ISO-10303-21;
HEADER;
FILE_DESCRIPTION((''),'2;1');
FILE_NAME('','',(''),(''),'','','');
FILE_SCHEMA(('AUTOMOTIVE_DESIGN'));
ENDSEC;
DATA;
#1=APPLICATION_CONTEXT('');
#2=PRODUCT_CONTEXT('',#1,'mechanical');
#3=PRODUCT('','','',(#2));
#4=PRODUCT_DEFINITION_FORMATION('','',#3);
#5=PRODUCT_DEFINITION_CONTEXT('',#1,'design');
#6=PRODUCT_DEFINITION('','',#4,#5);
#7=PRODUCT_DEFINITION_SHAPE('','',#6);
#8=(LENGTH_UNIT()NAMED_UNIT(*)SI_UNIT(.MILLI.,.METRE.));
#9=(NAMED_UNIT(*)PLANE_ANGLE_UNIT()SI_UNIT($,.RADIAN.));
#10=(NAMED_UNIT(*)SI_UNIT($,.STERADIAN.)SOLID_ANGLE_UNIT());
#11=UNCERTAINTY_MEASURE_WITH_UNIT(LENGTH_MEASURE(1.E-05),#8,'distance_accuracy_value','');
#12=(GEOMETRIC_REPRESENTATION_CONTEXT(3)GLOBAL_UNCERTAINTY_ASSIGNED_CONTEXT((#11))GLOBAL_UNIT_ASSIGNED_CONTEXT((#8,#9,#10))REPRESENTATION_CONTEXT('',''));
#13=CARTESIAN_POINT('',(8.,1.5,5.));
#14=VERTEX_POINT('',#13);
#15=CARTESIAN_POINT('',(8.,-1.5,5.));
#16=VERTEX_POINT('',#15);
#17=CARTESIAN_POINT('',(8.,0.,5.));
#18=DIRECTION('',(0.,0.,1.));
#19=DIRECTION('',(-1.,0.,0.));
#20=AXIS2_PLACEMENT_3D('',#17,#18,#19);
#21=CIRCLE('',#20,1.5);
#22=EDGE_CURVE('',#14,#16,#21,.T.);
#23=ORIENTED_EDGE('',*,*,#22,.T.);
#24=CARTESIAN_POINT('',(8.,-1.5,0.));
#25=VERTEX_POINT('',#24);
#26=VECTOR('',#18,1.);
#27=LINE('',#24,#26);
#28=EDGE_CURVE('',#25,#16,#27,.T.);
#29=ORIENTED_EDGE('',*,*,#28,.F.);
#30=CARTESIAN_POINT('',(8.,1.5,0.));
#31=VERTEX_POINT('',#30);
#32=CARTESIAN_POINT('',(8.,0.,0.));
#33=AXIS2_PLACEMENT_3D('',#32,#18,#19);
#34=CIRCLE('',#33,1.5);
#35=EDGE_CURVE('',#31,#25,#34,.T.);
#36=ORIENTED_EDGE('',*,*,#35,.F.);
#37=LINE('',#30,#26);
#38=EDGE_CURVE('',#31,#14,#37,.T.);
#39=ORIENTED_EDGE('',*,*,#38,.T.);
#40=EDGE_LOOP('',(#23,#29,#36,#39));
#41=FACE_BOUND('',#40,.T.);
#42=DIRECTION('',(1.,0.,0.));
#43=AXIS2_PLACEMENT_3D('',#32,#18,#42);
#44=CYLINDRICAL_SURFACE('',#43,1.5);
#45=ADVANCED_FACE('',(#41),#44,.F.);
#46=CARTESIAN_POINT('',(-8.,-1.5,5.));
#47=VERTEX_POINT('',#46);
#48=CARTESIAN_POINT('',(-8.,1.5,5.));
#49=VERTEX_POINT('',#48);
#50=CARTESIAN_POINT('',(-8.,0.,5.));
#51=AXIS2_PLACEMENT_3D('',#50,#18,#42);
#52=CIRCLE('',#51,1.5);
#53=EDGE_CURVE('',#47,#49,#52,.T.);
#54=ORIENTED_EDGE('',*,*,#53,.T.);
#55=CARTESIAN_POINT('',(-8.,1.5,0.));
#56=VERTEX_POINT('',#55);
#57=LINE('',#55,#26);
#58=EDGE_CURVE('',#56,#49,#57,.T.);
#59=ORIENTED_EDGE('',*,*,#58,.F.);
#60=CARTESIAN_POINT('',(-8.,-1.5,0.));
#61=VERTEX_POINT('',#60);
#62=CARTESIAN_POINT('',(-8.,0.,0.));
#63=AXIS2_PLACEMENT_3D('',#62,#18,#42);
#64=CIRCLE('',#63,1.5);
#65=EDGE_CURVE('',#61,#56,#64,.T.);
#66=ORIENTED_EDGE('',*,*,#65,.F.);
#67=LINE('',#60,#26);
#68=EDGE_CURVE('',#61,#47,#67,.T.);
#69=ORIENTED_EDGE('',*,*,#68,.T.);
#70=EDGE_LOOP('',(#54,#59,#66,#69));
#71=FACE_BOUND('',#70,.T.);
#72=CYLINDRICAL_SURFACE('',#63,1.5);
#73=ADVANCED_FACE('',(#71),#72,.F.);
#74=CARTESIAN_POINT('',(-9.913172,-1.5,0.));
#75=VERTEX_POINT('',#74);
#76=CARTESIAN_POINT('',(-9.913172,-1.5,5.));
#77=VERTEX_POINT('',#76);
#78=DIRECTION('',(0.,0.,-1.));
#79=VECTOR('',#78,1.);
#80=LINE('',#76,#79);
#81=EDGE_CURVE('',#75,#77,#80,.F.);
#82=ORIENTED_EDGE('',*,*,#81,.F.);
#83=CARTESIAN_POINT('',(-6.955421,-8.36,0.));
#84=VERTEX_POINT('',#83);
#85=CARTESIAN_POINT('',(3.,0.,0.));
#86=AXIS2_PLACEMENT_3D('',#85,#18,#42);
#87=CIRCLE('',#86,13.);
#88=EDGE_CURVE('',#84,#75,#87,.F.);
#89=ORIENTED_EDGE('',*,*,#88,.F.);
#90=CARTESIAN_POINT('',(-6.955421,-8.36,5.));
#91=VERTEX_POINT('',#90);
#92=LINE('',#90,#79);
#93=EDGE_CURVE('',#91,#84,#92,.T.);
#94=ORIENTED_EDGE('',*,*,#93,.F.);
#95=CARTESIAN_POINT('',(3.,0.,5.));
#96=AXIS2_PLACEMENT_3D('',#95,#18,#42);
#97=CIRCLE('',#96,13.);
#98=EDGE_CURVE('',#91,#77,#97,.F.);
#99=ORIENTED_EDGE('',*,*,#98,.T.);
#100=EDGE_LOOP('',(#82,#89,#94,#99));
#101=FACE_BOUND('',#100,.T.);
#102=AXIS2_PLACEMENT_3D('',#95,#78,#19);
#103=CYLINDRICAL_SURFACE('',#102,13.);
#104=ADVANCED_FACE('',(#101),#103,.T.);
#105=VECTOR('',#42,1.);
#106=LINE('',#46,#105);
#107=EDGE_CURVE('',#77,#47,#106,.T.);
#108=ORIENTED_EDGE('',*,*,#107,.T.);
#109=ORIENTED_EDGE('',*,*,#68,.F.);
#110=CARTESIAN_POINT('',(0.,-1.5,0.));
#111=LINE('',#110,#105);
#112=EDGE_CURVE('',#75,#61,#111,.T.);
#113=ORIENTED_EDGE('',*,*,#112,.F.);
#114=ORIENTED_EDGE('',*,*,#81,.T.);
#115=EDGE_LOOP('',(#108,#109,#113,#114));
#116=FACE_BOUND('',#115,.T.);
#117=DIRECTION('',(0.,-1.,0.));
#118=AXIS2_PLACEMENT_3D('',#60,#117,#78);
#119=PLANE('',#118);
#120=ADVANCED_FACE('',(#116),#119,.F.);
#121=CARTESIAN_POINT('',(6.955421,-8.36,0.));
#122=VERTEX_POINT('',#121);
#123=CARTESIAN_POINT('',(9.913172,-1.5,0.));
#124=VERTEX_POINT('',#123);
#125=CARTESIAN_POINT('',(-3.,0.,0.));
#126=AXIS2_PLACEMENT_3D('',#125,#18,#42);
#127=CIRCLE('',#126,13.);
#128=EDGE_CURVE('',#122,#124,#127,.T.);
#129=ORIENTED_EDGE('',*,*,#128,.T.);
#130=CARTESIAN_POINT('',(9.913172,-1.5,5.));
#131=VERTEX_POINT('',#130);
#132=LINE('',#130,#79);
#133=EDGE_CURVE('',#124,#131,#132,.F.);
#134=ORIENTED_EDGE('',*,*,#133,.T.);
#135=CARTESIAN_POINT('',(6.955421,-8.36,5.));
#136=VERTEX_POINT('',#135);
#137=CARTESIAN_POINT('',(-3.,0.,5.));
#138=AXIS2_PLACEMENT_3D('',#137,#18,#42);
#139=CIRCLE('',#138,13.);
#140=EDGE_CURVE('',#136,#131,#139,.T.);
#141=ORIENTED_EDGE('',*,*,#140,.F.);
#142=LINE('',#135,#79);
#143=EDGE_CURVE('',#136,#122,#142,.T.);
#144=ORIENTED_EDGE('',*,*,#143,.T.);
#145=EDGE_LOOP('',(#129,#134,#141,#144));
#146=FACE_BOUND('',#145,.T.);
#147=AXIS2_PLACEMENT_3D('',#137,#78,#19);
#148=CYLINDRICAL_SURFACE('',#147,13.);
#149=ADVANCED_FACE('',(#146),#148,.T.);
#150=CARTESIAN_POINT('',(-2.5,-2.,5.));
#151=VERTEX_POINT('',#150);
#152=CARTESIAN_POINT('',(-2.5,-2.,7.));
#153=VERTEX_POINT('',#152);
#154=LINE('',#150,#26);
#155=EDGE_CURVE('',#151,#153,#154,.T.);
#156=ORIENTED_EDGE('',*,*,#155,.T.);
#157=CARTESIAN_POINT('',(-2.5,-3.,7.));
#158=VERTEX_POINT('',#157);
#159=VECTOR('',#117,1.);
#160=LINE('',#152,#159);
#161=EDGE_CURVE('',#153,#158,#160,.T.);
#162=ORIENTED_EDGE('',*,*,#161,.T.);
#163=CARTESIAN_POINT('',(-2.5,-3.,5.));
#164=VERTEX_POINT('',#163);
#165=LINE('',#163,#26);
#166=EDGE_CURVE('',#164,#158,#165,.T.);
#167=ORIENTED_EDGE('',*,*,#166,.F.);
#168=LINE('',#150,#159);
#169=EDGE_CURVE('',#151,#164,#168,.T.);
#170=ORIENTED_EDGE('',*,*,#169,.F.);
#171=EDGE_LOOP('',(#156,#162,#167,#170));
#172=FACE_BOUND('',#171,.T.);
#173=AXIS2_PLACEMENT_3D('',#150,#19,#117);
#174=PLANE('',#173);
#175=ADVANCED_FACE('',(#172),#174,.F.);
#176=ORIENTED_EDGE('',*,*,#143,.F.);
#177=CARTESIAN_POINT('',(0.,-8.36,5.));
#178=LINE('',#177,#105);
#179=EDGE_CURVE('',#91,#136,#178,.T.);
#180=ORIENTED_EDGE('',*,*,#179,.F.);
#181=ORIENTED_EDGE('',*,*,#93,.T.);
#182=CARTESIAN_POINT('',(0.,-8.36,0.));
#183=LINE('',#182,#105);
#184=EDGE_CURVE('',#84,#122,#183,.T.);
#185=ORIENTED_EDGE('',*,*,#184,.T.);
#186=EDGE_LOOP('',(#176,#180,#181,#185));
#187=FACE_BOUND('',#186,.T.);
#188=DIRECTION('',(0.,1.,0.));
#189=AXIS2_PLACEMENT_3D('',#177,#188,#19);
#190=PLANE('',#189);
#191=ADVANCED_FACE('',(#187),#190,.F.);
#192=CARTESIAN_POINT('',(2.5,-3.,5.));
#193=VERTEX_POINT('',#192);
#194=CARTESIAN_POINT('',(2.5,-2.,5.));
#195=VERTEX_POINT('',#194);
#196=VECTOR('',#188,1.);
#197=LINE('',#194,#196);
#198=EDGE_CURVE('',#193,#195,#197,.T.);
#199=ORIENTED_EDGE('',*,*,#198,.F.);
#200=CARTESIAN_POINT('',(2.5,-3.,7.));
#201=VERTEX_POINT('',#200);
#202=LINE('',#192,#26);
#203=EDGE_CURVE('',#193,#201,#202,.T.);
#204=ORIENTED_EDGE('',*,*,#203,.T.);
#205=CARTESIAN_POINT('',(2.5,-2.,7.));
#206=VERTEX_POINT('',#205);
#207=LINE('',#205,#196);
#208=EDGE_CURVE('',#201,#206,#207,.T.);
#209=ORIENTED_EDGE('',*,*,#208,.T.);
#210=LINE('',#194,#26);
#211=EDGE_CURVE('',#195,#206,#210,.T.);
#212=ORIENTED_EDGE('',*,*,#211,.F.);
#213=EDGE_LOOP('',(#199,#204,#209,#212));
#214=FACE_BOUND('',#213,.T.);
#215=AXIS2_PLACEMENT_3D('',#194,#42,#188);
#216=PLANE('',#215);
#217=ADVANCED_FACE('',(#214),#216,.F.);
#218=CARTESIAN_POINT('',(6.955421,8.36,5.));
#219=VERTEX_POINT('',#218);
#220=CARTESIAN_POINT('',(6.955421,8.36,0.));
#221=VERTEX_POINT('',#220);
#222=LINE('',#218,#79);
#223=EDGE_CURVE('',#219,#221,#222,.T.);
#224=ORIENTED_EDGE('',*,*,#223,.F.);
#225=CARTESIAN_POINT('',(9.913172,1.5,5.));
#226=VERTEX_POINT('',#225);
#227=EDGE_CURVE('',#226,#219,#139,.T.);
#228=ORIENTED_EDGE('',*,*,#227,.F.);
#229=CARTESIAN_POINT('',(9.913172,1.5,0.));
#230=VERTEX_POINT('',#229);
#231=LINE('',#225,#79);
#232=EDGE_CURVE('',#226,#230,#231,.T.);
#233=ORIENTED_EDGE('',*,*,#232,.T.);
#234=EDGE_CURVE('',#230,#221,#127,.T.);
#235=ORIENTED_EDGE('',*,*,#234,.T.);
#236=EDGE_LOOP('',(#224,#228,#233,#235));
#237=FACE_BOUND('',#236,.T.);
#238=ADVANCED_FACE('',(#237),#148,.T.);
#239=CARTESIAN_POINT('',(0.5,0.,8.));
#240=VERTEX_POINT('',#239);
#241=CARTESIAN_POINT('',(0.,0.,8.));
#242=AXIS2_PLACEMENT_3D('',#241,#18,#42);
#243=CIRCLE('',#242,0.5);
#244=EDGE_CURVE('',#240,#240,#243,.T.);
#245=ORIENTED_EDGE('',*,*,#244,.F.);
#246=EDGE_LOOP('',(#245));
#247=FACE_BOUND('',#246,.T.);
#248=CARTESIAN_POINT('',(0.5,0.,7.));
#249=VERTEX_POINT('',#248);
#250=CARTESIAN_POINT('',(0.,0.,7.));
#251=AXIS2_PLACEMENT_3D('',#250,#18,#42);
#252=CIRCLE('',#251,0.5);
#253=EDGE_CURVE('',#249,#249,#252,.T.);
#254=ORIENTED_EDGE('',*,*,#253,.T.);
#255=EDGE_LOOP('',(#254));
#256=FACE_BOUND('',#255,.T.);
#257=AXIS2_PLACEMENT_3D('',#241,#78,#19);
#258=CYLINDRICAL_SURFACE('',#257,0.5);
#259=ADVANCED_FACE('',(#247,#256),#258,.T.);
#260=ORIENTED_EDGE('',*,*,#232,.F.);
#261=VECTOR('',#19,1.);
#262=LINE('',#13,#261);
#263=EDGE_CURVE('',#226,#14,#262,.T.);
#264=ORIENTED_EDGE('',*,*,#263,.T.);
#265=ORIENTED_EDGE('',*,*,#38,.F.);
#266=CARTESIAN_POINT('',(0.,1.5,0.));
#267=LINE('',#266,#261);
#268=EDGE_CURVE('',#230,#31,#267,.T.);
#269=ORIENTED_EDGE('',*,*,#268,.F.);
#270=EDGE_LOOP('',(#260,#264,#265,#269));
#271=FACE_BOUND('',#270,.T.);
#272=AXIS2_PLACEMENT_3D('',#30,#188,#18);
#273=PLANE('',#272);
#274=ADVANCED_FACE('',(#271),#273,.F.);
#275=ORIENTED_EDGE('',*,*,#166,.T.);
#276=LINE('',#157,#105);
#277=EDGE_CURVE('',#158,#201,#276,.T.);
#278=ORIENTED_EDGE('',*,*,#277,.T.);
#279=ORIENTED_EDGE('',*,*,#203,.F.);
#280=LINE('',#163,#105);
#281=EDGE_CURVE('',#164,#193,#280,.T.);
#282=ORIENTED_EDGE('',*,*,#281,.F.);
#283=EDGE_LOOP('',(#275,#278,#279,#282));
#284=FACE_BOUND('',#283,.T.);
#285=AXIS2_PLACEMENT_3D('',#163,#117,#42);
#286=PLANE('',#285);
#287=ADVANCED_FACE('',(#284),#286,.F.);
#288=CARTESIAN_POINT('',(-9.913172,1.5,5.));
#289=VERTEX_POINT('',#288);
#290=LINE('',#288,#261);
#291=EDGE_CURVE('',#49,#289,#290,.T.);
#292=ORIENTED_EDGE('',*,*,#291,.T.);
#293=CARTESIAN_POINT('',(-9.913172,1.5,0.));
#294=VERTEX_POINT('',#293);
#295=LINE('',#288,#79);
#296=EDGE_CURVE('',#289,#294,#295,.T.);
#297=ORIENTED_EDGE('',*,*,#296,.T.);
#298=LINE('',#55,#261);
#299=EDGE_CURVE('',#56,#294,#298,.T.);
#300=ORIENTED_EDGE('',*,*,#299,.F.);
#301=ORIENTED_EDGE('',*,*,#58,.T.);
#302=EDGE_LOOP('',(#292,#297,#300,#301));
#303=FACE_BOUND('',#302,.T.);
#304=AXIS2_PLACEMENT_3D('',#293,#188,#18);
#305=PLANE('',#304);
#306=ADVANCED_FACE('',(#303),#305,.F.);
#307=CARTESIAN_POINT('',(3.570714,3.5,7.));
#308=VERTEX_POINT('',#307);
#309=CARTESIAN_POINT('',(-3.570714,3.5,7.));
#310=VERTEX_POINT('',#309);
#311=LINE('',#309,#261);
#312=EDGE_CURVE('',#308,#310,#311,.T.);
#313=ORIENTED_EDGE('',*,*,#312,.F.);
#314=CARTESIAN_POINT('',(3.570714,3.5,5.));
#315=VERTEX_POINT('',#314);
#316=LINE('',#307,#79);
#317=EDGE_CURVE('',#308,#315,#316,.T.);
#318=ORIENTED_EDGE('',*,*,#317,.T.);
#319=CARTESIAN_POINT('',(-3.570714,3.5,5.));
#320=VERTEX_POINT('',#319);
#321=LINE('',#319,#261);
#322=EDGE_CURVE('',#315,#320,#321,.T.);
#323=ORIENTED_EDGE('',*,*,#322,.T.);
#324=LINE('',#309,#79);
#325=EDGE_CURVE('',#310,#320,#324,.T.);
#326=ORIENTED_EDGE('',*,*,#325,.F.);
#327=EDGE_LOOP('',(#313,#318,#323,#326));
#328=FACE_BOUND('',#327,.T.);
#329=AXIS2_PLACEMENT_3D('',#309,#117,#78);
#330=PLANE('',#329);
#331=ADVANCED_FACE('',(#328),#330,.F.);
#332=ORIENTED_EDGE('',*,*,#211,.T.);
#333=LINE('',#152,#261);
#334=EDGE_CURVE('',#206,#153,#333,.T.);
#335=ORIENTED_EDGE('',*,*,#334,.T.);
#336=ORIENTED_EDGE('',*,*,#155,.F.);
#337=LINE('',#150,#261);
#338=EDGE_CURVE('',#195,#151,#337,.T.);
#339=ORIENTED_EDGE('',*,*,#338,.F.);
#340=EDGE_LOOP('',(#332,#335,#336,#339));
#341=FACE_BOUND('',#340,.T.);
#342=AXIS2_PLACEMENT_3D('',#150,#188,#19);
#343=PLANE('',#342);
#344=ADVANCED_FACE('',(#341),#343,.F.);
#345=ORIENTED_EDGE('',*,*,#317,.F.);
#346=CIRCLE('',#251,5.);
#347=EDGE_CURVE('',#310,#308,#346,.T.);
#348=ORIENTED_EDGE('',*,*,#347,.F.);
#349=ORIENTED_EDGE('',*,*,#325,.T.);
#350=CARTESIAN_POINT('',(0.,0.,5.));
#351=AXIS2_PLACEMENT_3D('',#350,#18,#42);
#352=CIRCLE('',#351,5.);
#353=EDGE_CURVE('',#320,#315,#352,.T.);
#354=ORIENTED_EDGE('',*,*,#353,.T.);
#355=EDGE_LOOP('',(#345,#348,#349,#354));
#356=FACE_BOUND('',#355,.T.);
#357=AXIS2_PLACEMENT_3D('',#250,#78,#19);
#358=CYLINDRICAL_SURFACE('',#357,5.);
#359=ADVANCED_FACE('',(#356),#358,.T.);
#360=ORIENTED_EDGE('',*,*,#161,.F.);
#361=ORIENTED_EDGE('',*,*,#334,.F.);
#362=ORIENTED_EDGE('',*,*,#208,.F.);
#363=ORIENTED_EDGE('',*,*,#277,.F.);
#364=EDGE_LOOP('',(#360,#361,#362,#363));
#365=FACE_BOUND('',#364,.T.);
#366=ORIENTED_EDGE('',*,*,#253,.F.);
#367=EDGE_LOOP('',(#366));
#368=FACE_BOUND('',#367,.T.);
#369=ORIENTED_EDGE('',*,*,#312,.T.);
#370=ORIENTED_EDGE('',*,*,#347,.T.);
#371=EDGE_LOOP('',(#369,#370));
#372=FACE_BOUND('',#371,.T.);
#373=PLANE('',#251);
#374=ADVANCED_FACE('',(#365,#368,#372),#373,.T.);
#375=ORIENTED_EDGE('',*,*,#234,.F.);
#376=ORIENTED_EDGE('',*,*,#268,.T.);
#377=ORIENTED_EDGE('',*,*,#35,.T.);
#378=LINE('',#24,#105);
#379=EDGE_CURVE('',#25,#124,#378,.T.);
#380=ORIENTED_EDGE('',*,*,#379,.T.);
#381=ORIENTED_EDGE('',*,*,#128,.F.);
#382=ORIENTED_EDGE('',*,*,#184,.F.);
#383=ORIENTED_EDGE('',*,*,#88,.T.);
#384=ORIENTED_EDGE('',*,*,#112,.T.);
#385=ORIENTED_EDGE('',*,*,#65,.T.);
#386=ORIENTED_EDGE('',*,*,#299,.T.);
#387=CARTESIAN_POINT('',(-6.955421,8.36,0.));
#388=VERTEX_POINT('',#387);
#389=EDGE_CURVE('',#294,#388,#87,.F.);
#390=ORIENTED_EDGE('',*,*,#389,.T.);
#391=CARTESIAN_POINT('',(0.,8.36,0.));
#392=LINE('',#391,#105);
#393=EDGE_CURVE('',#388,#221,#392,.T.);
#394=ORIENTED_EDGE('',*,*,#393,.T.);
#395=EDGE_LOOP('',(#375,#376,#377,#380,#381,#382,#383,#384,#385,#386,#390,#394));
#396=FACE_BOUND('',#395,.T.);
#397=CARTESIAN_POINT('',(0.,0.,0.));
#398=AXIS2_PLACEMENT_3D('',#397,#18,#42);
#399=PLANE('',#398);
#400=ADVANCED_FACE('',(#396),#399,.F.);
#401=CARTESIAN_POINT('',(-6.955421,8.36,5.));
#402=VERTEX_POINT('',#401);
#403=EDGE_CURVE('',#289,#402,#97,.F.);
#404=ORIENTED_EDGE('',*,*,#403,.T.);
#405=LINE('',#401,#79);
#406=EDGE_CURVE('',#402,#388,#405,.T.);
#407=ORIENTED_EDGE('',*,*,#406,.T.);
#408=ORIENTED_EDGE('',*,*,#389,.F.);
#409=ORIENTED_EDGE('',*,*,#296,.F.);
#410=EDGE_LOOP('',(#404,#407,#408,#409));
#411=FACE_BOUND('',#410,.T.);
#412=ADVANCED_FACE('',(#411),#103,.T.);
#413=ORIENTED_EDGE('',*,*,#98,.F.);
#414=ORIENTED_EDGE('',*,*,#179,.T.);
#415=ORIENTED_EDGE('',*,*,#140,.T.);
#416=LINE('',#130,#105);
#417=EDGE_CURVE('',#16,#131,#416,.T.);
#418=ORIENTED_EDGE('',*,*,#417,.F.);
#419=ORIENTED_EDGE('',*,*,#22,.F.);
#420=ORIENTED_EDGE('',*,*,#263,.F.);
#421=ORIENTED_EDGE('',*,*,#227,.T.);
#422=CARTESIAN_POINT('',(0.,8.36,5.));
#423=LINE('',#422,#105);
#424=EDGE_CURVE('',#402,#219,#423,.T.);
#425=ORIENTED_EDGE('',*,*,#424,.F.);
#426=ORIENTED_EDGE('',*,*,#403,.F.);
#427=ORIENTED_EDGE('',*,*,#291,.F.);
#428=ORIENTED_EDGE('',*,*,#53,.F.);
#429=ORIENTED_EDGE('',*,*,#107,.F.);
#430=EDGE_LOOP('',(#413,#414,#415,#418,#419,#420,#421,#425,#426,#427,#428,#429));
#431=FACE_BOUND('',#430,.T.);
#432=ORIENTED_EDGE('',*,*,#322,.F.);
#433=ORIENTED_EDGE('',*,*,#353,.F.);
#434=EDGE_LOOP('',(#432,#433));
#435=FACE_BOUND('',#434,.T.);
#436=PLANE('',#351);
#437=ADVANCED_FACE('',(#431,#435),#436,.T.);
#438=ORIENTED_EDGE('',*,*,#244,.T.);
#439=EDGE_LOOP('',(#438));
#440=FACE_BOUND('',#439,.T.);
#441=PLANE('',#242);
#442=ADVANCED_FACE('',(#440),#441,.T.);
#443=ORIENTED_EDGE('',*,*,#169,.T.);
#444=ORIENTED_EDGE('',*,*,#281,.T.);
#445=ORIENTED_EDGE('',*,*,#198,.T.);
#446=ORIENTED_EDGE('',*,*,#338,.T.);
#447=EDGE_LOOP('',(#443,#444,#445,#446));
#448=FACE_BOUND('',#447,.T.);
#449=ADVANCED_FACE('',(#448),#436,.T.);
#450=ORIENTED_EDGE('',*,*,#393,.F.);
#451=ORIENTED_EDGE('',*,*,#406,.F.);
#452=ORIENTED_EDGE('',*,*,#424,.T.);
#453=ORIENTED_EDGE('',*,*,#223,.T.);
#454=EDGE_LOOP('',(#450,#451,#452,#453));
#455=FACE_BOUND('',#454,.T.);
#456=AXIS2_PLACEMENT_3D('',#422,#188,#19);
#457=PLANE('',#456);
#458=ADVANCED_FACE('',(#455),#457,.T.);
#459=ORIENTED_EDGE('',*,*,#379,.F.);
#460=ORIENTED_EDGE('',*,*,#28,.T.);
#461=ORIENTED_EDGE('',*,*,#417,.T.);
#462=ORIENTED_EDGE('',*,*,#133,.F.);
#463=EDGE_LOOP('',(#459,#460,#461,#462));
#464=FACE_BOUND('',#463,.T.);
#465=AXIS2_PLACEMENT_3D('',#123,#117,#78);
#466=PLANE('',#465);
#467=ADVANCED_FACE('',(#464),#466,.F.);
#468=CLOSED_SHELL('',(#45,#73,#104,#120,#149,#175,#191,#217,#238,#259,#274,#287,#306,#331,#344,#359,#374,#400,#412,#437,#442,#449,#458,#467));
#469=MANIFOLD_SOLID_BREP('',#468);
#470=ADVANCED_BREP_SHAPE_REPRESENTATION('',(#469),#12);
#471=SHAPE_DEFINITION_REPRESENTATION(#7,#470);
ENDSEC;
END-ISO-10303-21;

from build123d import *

# Parameters (mm, degrees)
BOSS_EXTRUDE2_DEPTH = 5
CUT_EXTRUDE1_DEPTH  = 5
SKETCH3_R           = 0.5
BOSS_EXTRUDE3_DEPTH = 3
BOSS_EXTRUDE4_DEPTH = 2
SKETCH5_W           = 5
SKETCH5_H           = 1
CUT_EXTRUDE2_DEPTH  = 2


with BuildPart() as part:
    # Sketch1 → Boss-Extrude2 (new body)
    with BuildSketch(Plane.XY):
        with BuildLine():
            ThreePointArc((-6.955420634, 8.36), (-9.215164105, 4.44856897), (-10, 0))
            Line((-10, 0), (10, 0))
            ThreePointArc((10, 0), (9.215164105, 4.44856897), (6.955420634, 8.36))
            Line((6.955420634, 8.36), (-6.955420634, 8.36))
        make_face()
        with BuildLine():
            Line((10, 0), (-10, 0))
            ThreePointArc((-10, 0), (-9.215164105, -4.44856897), (-6.955420634, -8.36))
            Line((-6.955420634, -8.36), (6.955420634, -8.36))
            ThreePointArc((6.955420634, -8.36), (9.215164105, -4.44856897), (10, 0))
        make_face()
    extrude(amount=BOSS_EXTRUDE2_DEPTH)

    # Sketch2 → Cut-Extrude1 (cut)
    with BuildSketch(Plane.XY.offset(5)):
        with BuildLine():
            Line((-8, 1.5), (-9.91317157, 1.5))
            Line((-9.91317157, 1.5), (-10.317130361, 1.5))
            ThreePointArc((-10.317130361, 1.5), (-10.425602087, 0), (-10.317130361, -1.5))
            Line((-10.317130361, -1.5), (-9.91317157, -1.5))
            Line((-9.91317157, -1.5), (-8, -1.5))
            ThreePointArc((-8, -1.5), (-6.5, 0), (-8, 1.5))
        make_face()
        with BuildLine():
            Line((8, -1.5), (9.91317157, -1.5))
            Line((9.91317157, -1.5), (10.317130361, -1.5))
            ThreePointArc((10.317130361, -1.5), (10.425602087, 0), (10.317130361, 1.5))
            Line((10.317130361, 1.5), (9.91317157, 1.5))
            Line((9.91317157, 1.5), (8, 1.5))
            ThreePointArc((8, 1.5), (6.5, 0), (8, -1.5))
        make_face()
    extrude(amount=-CUT_EXTRUDE1_DEPTH, mode=Mode.SUBTRACT)

    # Sketch3 → Boss-Extrude3 (add)
    with BuildSketch(Plane.XY.offset(5)):
        Circle(SKETCH3_R)
    extrude(amount=BOSS_EXTRUDE3_DEPTH)

    # Sketch4 → Boss-Extrude4 (add)
    with BuildSketch(Plane.XY.offset(5)):
        with BuildLine():
            Line((-3.570714214, 3.5), (3.570714214, 3.5))
            ThreePointArc((3.570714214, 3.5), (0, -5), (-3.570714214, 3.5))
        make_face()
    extrude(amount=BOSS_EXTRUDE4_DEPTH)

    # Sketch5 → Cut-Extrude2 (cut)
    with BuildSketch(Plane.XY.offset(7)):
        with Locations((0, -2.5)):
            Rectangle(SKETCH5_W, SKETCH5_H)
    extrude(amount=-CUT_EXTRUDE2_DEPTH, mode=Mode.SUBTRACT)


solid = part.part
